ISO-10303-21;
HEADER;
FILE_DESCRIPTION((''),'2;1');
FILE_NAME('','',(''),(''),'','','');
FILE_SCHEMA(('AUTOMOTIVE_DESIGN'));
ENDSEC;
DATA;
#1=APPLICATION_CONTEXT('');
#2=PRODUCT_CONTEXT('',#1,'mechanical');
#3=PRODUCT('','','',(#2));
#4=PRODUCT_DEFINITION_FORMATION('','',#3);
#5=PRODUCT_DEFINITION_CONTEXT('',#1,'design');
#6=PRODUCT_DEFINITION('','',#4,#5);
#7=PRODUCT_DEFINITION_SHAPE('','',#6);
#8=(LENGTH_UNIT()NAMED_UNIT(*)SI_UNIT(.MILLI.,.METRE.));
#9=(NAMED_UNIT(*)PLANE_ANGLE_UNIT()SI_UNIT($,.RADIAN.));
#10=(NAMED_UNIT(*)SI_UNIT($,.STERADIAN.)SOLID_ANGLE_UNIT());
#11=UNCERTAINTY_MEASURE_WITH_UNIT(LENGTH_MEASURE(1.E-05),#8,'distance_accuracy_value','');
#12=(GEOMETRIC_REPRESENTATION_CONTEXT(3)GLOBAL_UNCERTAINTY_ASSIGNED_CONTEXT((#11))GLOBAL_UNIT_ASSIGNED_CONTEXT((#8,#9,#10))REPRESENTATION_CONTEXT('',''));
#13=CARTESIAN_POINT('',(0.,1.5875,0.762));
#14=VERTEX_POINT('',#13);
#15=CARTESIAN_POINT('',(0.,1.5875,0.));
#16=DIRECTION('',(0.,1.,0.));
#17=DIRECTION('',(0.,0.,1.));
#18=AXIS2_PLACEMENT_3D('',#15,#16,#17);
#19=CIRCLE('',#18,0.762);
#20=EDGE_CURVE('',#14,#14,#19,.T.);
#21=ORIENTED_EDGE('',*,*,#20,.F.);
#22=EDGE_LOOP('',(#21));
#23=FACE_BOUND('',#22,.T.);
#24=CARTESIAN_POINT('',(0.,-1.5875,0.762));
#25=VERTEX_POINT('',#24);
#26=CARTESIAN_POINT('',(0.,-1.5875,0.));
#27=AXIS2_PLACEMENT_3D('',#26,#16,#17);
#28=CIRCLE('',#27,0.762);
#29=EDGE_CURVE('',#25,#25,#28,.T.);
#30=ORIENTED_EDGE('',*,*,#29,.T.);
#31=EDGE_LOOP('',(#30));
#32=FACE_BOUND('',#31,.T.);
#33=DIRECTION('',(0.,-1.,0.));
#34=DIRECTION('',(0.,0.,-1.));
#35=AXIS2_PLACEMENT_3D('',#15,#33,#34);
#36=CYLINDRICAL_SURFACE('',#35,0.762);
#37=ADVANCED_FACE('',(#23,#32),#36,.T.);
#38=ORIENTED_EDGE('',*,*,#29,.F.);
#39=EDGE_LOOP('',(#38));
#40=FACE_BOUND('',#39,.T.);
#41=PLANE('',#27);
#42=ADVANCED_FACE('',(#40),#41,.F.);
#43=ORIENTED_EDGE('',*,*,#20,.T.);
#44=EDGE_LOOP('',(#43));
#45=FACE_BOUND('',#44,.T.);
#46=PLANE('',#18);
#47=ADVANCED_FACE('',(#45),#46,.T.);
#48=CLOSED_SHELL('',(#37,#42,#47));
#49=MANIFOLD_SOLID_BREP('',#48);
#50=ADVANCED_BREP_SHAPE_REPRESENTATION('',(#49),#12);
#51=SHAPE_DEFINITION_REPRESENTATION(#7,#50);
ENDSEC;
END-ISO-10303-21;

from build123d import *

# Parameters (mm, degrees)
SKETCH1_R           = 0.762
BOSS_EXTRUDE1_DEPTH = 1.5875


with BuildPart() as part:
    # Sketch1 → Boss-Extrude1 (new body, symmetric)
    with BuildSketch(Plane(origin=(0, 0, 0), x_dir=(1, 0, 0), z_dir=(0, 1, 0))):
        with Locations(Location((0, 0, 0), (0, 0, 270))):  # turned: the seam where the file's is
            Circle(SKETCH1_R)
    extrude(amount=BOSS_EXTRUDE1_DEPTH, both=True)


solid = part.part
